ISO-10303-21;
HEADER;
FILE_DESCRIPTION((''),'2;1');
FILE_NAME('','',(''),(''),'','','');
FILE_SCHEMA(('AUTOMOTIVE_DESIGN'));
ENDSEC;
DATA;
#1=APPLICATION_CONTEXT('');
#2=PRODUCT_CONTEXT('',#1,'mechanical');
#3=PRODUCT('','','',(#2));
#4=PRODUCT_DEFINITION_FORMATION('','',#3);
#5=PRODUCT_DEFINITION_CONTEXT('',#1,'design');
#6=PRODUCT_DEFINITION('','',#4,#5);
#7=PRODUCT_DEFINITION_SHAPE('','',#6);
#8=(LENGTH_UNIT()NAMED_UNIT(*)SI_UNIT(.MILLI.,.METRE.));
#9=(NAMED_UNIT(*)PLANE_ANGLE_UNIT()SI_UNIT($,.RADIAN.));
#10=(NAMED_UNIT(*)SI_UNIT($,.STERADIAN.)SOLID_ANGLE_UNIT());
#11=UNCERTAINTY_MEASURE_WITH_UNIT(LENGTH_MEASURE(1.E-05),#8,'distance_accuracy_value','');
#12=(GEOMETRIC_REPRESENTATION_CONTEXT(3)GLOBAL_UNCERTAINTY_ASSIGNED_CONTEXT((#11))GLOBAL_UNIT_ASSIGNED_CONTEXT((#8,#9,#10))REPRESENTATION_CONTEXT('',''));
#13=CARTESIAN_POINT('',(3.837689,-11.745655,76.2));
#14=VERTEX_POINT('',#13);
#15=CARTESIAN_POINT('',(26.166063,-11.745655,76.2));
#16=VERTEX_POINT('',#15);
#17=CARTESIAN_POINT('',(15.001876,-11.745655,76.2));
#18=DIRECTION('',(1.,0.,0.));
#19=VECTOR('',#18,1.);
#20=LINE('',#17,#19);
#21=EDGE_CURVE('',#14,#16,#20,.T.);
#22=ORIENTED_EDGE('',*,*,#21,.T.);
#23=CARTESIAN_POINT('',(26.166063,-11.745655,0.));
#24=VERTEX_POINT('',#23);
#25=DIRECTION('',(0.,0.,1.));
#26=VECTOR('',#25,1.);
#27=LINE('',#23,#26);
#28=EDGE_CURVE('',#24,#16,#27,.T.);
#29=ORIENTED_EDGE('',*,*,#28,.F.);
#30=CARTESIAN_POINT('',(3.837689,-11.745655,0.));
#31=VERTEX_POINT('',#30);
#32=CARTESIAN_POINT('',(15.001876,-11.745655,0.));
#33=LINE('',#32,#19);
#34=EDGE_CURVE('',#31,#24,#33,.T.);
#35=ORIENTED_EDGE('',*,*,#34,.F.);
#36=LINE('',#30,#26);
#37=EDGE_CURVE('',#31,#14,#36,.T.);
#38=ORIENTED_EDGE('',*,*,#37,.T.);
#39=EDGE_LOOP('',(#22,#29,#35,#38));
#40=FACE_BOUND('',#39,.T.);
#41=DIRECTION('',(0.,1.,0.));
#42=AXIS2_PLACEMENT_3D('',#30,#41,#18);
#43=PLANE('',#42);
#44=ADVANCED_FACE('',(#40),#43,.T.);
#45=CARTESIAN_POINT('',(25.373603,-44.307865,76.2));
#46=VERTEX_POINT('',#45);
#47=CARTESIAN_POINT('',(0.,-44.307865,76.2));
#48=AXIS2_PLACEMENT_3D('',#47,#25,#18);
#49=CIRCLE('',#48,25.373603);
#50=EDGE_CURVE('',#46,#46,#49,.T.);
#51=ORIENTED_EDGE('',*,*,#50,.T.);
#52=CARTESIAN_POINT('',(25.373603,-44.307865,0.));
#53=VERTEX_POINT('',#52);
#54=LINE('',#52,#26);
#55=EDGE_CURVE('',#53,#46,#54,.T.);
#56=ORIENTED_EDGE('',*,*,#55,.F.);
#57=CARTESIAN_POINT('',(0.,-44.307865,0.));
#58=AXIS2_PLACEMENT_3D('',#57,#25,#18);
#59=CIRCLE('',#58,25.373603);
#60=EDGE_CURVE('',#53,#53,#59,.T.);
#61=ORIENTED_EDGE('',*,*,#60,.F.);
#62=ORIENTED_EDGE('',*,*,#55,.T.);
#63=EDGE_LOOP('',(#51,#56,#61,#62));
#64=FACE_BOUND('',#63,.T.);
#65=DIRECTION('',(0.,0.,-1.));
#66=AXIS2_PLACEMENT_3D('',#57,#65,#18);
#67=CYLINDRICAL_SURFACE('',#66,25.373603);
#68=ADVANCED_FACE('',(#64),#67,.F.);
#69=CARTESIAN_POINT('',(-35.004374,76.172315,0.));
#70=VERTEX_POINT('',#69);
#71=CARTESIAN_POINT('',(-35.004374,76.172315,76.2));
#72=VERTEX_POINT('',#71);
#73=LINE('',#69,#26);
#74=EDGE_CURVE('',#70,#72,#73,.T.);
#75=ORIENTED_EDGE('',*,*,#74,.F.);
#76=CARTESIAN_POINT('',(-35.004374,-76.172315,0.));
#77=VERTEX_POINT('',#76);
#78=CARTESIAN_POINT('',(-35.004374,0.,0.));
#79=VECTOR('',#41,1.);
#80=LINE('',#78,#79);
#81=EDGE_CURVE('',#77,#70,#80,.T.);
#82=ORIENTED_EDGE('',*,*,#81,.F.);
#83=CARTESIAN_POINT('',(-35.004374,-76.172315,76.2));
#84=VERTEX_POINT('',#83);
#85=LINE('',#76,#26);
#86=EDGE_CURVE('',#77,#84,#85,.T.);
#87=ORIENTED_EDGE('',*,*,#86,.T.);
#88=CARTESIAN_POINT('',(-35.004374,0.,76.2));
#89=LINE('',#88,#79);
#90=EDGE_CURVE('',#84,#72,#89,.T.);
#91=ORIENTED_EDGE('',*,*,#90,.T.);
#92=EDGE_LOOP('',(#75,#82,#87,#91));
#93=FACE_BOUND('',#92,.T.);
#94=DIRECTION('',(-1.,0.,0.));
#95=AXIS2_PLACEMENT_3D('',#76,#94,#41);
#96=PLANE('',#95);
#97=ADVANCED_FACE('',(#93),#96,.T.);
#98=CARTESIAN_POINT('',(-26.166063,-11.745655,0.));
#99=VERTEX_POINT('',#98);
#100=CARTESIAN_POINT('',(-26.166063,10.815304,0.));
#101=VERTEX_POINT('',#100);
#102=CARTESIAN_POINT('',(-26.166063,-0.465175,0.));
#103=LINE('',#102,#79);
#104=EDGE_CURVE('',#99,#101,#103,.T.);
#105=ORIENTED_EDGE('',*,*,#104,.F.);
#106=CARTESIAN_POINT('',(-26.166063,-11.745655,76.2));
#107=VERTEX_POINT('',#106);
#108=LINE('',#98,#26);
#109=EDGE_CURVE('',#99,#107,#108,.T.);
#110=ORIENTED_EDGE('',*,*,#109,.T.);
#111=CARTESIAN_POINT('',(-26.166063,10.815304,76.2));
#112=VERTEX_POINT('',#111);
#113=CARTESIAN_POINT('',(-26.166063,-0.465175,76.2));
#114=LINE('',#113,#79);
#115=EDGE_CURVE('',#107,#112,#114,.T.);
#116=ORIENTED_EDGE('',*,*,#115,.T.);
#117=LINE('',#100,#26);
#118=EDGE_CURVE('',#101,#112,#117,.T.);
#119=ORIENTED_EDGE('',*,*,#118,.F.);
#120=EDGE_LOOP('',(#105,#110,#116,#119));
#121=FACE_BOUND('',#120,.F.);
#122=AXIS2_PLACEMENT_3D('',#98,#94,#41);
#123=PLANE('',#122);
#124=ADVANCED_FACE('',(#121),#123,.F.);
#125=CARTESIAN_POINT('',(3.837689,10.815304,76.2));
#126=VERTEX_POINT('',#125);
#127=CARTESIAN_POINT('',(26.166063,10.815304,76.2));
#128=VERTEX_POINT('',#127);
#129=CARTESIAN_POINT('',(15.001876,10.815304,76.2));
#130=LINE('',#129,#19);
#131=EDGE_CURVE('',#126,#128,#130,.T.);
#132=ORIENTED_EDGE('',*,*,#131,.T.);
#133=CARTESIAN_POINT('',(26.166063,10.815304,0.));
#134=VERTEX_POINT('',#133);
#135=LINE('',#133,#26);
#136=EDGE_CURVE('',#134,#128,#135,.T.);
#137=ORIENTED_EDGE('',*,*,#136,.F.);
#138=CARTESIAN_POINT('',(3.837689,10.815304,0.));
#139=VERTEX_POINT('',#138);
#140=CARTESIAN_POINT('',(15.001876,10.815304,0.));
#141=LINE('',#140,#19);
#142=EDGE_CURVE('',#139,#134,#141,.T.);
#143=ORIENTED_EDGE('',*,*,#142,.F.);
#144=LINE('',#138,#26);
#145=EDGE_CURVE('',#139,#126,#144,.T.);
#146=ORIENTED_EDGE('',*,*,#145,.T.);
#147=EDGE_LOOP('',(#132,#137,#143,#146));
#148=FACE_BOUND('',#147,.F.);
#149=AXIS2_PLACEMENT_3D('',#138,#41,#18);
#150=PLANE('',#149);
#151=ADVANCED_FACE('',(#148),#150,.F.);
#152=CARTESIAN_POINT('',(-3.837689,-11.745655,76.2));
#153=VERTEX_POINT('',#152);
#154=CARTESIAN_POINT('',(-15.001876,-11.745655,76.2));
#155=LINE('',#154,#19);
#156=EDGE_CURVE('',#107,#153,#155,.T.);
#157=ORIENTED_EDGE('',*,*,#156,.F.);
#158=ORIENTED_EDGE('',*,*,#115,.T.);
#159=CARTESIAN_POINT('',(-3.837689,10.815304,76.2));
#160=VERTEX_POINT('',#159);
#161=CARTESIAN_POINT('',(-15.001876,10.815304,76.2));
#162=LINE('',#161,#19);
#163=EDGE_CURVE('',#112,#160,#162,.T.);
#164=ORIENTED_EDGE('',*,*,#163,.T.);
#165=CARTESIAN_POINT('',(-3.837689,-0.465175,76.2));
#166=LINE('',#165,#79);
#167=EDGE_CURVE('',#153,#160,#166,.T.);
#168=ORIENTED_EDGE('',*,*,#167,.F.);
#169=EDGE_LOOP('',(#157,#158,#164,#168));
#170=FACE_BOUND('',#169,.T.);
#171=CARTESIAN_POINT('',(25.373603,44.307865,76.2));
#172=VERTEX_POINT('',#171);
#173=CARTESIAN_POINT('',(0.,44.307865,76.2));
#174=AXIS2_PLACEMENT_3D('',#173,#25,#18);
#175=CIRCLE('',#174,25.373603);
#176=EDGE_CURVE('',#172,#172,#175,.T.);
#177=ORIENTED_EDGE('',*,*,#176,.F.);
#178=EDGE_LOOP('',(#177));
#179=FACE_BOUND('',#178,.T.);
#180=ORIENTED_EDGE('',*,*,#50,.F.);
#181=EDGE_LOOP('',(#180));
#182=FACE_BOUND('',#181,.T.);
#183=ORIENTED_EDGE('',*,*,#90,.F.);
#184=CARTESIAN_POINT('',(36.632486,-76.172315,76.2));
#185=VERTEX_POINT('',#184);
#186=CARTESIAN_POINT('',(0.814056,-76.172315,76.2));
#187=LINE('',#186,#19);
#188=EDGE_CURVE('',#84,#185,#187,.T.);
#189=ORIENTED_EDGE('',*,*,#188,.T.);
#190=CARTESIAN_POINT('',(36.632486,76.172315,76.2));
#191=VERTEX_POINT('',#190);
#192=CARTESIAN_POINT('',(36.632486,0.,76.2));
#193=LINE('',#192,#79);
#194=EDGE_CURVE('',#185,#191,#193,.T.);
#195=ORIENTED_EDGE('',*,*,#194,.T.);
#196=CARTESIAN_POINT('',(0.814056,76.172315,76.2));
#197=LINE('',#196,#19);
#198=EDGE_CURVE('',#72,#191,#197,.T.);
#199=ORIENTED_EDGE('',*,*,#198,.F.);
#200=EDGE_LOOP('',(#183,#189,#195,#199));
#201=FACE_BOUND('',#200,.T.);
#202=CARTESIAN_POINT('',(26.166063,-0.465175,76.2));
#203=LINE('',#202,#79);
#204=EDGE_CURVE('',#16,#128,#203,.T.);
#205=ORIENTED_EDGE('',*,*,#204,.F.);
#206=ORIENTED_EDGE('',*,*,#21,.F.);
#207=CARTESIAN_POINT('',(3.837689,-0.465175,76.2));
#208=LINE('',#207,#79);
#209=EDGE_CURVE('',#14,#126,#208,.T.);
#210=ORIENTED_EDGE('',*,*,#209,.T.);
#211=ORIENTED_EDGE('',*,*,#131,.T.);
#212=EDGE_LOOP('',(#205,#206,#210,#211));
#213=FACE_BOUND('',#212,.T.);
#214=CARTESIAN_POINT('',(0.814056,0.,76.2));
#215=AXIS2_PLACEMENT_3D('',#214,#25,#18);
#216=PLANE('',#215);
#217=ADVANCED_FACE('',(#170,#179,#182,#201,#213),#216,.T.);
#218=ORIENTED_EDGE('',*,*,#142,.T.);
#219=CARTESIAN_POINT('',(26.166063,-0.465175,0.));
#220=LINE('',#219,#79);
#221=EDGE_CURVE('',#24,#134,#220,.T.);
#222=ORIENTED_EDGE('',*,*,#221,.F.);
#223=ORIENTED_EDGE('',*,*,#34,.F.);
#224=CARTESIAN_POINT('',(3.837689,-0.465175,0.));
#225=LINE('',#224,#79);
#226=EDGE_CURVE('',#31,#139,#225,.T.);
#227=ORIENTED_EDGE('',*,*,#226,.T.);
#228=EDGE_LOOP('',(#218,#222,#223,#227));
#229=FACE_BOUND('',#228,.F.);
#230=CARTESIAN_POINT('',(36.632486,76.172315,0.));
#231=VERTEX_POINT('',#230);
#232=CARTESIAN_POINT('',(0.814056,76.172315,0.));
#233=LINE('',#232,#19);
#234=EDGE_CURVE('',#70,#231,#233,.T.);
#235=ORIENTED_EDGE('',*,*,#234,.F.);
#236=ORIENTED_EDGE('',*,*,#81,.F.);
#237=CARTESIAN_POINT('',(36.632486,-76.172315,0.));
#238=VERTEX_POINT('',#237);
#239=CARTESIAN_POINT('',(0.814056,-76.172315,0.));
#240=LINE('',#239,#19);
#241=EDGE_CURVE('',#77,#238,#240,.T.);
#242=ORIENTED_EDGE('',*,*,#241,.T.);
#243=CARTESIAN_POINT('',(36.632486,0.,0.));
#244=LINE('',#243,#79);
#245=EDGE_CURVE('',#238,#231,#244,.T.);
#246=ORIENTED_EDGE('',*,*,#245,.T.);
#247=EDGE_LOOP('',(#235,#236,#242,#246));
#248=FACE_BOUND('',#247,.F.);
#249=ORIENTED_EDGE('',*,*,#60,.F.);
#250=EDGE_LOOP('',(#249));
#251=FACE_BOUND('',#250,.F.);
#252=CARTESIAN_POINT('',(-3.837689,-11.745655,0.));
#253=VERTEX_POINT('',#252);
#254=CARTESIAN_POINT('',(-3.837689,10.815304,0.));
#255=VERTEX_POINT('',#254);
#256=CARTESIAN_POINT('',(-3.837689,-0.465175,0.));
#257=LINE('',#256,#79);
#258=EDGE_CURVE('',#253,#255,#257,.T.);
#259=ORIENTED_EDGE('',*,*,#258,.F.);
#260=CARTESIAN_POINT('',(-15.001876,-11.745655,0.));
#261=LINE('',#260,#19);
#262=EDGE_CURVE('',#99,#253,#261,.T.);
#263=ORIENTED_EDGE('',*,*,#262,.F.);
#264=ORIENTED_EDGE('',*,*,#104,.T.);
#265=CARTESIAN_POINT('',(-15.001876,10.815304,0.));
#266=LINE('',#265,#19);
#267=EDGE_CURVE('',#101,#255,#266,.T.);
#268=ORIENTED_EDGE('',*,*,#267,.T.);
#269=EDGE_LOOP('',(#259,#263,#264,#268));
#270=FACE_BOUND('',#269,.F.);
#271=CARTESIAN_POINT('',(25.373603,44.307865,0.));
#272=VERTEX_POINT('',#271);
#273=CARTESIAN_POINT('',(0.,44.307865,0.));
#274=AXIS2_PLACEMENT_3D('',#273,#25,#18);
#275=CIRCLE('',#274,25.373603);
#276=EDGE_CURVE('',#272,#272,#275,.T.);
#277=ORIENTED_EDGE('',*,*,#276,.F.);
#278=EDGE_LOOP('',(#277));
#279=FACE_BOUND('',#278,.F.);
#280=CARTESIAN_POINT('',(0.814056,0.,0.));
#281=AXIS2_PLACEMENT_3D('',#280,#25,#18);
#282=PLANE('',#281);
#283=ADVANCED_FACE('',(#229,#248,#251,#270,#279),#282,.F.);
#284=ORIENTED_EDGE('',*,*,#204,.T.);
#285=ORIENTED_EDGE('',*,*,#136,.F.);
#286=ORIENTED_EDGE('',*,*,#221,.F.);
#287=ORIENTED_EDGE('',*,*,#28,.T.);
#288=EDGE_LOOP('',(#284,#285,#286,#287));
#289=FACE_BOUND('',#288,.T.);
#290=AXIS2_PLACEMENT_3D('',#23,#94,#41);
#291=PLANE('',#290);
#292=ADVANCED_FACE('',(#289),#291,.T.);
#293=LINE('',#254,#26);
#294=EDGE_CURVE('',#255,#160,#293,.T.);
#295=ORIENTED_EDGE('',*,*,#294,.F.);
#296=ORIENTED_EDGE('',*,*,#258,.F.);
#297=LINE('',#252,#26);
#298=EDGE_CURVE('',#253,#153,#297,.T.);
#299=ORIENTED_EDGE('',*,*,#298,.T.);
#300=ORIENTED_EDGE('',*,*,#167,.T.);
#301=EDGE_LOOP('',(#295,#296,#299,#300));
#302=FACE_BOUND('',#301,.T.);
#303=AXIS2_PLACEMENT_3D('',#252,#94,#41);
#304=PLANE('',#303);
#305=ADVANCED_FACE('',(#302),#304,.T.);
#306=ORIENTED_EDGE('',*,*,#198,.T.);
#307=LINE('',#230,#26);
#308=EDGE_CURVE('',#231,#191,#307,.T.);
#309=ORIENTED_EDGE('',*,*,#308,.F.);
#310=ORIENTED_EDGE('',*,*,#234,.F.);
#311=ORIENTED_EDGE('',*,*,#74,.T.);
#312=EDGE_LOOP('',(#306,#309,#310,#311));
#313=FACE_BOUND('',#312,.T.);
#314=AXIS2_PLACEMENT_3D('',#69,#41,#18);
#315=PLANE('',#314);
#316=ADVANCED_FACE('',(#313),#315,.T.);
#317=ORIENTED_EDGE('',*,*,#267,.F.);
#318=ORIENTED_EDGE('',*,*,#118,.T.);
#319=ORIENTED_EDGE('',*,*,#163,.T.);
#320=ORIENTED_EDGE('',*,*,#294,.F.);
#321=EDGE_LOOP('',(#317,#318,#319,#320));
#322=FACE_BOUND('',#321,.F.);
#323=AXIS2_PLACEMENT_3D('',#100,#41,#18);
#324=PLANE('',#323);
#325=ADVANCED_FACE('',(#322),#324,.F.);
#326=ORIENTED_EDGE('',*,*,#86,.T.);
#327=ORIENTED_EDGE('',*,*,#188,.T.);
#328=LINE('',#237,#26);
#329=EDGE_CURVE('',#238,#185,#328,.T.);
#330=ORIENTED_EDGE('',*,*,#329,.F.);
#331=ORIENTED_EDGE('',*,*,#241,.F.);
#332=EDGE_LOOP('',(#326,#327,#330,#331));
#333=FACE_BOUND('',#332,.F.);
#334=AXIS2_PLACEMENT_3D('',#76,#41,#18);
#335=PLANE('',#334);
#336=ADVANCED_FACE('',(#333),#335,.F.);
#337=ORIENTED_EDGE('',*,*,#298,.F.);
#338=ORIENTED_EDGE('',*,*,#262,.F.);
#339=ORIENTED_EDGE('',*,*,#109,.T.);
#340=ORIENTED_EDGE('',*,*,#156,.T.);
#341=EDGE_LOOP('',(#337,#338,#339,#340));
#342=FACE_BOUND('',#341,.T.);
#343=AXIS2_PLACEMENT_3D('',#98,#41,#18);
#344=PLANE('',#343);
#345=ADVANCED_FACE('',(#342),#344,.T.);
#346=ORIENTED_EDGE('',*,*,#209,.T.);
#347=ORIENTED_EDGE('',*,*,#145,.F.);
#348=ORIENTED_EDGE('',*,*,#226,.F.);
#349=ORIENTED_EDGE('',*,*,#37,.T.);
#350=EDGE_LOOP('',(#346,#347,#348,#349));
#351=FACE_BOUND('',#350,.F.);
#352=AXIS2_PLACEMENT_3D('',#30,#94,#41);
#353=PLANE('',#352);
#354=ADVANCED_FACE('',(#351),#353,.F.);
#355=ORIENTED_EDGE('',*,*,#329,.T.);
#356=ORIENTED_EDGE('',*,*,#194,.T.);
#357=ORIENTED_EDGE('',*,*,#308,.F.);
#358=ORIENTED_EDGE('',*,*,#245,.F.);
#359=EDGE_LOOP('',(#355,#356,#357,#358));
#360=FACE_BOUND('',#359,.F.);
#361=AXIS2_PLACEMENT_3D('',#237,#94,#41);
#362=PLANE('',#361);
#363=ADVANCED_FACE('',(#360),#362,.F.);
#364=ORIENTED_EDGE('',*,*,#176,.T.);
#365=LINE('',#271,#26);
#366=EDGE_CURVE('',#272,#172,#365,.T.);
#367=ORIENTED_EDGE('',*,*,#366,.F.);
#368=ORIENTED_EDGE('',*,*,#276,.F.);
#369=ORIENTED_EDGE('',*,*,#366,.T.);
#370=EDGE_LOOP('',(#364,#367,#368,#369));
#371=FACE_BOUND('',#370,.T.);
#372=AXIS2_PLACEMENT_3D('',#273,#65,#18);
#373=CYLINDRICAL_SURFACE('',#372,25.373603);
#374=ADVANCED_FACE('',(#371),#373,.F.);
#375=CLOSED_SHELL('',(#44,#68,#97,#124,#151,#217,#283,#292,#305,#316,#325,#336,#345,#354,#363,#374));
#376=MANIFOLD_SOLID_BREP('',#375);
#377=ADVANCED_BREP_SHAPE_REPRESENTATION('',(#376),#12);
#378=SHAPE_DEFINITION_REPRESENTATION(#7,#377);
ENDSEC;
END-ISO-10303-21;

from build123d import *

# Parameters (mm, degrees)
F0_W     = 71.63686
F0_H     = 152.34463
F0_R     = 25.373603
F0_W_2   = 22.328374
F0_H_2   = 22.560959
F1_DEPTH = 76.2


with BuildPart() as f1:
    # F0 (on Top) → F1 (new body)
    with BuildSketch(Plane.XY):
        with Locations((0.814056, 0)):
            Rectangle(F0_W, F0_H)
        with Locations((0, -44.307865)):
            Circle(F0_R, mode=Mode.SUBTRACT)
        with Locations((-15.001876, -0.465175)):
            Rectangle(F0_W_2, F0_H_2, mode=Mode.SUBTRACT)
        with Locations((15.001876, -0.465175)):
            Rectangle(F0_W_2, F0_H_2, mode=Mode.SUBTRACT)
        with Locations((0, 44.307865)):
            Circle(F0_R, mode=Mode.SUBTRACT)
    extrude(amount=F1_DEPTH)


solid = f1.part
